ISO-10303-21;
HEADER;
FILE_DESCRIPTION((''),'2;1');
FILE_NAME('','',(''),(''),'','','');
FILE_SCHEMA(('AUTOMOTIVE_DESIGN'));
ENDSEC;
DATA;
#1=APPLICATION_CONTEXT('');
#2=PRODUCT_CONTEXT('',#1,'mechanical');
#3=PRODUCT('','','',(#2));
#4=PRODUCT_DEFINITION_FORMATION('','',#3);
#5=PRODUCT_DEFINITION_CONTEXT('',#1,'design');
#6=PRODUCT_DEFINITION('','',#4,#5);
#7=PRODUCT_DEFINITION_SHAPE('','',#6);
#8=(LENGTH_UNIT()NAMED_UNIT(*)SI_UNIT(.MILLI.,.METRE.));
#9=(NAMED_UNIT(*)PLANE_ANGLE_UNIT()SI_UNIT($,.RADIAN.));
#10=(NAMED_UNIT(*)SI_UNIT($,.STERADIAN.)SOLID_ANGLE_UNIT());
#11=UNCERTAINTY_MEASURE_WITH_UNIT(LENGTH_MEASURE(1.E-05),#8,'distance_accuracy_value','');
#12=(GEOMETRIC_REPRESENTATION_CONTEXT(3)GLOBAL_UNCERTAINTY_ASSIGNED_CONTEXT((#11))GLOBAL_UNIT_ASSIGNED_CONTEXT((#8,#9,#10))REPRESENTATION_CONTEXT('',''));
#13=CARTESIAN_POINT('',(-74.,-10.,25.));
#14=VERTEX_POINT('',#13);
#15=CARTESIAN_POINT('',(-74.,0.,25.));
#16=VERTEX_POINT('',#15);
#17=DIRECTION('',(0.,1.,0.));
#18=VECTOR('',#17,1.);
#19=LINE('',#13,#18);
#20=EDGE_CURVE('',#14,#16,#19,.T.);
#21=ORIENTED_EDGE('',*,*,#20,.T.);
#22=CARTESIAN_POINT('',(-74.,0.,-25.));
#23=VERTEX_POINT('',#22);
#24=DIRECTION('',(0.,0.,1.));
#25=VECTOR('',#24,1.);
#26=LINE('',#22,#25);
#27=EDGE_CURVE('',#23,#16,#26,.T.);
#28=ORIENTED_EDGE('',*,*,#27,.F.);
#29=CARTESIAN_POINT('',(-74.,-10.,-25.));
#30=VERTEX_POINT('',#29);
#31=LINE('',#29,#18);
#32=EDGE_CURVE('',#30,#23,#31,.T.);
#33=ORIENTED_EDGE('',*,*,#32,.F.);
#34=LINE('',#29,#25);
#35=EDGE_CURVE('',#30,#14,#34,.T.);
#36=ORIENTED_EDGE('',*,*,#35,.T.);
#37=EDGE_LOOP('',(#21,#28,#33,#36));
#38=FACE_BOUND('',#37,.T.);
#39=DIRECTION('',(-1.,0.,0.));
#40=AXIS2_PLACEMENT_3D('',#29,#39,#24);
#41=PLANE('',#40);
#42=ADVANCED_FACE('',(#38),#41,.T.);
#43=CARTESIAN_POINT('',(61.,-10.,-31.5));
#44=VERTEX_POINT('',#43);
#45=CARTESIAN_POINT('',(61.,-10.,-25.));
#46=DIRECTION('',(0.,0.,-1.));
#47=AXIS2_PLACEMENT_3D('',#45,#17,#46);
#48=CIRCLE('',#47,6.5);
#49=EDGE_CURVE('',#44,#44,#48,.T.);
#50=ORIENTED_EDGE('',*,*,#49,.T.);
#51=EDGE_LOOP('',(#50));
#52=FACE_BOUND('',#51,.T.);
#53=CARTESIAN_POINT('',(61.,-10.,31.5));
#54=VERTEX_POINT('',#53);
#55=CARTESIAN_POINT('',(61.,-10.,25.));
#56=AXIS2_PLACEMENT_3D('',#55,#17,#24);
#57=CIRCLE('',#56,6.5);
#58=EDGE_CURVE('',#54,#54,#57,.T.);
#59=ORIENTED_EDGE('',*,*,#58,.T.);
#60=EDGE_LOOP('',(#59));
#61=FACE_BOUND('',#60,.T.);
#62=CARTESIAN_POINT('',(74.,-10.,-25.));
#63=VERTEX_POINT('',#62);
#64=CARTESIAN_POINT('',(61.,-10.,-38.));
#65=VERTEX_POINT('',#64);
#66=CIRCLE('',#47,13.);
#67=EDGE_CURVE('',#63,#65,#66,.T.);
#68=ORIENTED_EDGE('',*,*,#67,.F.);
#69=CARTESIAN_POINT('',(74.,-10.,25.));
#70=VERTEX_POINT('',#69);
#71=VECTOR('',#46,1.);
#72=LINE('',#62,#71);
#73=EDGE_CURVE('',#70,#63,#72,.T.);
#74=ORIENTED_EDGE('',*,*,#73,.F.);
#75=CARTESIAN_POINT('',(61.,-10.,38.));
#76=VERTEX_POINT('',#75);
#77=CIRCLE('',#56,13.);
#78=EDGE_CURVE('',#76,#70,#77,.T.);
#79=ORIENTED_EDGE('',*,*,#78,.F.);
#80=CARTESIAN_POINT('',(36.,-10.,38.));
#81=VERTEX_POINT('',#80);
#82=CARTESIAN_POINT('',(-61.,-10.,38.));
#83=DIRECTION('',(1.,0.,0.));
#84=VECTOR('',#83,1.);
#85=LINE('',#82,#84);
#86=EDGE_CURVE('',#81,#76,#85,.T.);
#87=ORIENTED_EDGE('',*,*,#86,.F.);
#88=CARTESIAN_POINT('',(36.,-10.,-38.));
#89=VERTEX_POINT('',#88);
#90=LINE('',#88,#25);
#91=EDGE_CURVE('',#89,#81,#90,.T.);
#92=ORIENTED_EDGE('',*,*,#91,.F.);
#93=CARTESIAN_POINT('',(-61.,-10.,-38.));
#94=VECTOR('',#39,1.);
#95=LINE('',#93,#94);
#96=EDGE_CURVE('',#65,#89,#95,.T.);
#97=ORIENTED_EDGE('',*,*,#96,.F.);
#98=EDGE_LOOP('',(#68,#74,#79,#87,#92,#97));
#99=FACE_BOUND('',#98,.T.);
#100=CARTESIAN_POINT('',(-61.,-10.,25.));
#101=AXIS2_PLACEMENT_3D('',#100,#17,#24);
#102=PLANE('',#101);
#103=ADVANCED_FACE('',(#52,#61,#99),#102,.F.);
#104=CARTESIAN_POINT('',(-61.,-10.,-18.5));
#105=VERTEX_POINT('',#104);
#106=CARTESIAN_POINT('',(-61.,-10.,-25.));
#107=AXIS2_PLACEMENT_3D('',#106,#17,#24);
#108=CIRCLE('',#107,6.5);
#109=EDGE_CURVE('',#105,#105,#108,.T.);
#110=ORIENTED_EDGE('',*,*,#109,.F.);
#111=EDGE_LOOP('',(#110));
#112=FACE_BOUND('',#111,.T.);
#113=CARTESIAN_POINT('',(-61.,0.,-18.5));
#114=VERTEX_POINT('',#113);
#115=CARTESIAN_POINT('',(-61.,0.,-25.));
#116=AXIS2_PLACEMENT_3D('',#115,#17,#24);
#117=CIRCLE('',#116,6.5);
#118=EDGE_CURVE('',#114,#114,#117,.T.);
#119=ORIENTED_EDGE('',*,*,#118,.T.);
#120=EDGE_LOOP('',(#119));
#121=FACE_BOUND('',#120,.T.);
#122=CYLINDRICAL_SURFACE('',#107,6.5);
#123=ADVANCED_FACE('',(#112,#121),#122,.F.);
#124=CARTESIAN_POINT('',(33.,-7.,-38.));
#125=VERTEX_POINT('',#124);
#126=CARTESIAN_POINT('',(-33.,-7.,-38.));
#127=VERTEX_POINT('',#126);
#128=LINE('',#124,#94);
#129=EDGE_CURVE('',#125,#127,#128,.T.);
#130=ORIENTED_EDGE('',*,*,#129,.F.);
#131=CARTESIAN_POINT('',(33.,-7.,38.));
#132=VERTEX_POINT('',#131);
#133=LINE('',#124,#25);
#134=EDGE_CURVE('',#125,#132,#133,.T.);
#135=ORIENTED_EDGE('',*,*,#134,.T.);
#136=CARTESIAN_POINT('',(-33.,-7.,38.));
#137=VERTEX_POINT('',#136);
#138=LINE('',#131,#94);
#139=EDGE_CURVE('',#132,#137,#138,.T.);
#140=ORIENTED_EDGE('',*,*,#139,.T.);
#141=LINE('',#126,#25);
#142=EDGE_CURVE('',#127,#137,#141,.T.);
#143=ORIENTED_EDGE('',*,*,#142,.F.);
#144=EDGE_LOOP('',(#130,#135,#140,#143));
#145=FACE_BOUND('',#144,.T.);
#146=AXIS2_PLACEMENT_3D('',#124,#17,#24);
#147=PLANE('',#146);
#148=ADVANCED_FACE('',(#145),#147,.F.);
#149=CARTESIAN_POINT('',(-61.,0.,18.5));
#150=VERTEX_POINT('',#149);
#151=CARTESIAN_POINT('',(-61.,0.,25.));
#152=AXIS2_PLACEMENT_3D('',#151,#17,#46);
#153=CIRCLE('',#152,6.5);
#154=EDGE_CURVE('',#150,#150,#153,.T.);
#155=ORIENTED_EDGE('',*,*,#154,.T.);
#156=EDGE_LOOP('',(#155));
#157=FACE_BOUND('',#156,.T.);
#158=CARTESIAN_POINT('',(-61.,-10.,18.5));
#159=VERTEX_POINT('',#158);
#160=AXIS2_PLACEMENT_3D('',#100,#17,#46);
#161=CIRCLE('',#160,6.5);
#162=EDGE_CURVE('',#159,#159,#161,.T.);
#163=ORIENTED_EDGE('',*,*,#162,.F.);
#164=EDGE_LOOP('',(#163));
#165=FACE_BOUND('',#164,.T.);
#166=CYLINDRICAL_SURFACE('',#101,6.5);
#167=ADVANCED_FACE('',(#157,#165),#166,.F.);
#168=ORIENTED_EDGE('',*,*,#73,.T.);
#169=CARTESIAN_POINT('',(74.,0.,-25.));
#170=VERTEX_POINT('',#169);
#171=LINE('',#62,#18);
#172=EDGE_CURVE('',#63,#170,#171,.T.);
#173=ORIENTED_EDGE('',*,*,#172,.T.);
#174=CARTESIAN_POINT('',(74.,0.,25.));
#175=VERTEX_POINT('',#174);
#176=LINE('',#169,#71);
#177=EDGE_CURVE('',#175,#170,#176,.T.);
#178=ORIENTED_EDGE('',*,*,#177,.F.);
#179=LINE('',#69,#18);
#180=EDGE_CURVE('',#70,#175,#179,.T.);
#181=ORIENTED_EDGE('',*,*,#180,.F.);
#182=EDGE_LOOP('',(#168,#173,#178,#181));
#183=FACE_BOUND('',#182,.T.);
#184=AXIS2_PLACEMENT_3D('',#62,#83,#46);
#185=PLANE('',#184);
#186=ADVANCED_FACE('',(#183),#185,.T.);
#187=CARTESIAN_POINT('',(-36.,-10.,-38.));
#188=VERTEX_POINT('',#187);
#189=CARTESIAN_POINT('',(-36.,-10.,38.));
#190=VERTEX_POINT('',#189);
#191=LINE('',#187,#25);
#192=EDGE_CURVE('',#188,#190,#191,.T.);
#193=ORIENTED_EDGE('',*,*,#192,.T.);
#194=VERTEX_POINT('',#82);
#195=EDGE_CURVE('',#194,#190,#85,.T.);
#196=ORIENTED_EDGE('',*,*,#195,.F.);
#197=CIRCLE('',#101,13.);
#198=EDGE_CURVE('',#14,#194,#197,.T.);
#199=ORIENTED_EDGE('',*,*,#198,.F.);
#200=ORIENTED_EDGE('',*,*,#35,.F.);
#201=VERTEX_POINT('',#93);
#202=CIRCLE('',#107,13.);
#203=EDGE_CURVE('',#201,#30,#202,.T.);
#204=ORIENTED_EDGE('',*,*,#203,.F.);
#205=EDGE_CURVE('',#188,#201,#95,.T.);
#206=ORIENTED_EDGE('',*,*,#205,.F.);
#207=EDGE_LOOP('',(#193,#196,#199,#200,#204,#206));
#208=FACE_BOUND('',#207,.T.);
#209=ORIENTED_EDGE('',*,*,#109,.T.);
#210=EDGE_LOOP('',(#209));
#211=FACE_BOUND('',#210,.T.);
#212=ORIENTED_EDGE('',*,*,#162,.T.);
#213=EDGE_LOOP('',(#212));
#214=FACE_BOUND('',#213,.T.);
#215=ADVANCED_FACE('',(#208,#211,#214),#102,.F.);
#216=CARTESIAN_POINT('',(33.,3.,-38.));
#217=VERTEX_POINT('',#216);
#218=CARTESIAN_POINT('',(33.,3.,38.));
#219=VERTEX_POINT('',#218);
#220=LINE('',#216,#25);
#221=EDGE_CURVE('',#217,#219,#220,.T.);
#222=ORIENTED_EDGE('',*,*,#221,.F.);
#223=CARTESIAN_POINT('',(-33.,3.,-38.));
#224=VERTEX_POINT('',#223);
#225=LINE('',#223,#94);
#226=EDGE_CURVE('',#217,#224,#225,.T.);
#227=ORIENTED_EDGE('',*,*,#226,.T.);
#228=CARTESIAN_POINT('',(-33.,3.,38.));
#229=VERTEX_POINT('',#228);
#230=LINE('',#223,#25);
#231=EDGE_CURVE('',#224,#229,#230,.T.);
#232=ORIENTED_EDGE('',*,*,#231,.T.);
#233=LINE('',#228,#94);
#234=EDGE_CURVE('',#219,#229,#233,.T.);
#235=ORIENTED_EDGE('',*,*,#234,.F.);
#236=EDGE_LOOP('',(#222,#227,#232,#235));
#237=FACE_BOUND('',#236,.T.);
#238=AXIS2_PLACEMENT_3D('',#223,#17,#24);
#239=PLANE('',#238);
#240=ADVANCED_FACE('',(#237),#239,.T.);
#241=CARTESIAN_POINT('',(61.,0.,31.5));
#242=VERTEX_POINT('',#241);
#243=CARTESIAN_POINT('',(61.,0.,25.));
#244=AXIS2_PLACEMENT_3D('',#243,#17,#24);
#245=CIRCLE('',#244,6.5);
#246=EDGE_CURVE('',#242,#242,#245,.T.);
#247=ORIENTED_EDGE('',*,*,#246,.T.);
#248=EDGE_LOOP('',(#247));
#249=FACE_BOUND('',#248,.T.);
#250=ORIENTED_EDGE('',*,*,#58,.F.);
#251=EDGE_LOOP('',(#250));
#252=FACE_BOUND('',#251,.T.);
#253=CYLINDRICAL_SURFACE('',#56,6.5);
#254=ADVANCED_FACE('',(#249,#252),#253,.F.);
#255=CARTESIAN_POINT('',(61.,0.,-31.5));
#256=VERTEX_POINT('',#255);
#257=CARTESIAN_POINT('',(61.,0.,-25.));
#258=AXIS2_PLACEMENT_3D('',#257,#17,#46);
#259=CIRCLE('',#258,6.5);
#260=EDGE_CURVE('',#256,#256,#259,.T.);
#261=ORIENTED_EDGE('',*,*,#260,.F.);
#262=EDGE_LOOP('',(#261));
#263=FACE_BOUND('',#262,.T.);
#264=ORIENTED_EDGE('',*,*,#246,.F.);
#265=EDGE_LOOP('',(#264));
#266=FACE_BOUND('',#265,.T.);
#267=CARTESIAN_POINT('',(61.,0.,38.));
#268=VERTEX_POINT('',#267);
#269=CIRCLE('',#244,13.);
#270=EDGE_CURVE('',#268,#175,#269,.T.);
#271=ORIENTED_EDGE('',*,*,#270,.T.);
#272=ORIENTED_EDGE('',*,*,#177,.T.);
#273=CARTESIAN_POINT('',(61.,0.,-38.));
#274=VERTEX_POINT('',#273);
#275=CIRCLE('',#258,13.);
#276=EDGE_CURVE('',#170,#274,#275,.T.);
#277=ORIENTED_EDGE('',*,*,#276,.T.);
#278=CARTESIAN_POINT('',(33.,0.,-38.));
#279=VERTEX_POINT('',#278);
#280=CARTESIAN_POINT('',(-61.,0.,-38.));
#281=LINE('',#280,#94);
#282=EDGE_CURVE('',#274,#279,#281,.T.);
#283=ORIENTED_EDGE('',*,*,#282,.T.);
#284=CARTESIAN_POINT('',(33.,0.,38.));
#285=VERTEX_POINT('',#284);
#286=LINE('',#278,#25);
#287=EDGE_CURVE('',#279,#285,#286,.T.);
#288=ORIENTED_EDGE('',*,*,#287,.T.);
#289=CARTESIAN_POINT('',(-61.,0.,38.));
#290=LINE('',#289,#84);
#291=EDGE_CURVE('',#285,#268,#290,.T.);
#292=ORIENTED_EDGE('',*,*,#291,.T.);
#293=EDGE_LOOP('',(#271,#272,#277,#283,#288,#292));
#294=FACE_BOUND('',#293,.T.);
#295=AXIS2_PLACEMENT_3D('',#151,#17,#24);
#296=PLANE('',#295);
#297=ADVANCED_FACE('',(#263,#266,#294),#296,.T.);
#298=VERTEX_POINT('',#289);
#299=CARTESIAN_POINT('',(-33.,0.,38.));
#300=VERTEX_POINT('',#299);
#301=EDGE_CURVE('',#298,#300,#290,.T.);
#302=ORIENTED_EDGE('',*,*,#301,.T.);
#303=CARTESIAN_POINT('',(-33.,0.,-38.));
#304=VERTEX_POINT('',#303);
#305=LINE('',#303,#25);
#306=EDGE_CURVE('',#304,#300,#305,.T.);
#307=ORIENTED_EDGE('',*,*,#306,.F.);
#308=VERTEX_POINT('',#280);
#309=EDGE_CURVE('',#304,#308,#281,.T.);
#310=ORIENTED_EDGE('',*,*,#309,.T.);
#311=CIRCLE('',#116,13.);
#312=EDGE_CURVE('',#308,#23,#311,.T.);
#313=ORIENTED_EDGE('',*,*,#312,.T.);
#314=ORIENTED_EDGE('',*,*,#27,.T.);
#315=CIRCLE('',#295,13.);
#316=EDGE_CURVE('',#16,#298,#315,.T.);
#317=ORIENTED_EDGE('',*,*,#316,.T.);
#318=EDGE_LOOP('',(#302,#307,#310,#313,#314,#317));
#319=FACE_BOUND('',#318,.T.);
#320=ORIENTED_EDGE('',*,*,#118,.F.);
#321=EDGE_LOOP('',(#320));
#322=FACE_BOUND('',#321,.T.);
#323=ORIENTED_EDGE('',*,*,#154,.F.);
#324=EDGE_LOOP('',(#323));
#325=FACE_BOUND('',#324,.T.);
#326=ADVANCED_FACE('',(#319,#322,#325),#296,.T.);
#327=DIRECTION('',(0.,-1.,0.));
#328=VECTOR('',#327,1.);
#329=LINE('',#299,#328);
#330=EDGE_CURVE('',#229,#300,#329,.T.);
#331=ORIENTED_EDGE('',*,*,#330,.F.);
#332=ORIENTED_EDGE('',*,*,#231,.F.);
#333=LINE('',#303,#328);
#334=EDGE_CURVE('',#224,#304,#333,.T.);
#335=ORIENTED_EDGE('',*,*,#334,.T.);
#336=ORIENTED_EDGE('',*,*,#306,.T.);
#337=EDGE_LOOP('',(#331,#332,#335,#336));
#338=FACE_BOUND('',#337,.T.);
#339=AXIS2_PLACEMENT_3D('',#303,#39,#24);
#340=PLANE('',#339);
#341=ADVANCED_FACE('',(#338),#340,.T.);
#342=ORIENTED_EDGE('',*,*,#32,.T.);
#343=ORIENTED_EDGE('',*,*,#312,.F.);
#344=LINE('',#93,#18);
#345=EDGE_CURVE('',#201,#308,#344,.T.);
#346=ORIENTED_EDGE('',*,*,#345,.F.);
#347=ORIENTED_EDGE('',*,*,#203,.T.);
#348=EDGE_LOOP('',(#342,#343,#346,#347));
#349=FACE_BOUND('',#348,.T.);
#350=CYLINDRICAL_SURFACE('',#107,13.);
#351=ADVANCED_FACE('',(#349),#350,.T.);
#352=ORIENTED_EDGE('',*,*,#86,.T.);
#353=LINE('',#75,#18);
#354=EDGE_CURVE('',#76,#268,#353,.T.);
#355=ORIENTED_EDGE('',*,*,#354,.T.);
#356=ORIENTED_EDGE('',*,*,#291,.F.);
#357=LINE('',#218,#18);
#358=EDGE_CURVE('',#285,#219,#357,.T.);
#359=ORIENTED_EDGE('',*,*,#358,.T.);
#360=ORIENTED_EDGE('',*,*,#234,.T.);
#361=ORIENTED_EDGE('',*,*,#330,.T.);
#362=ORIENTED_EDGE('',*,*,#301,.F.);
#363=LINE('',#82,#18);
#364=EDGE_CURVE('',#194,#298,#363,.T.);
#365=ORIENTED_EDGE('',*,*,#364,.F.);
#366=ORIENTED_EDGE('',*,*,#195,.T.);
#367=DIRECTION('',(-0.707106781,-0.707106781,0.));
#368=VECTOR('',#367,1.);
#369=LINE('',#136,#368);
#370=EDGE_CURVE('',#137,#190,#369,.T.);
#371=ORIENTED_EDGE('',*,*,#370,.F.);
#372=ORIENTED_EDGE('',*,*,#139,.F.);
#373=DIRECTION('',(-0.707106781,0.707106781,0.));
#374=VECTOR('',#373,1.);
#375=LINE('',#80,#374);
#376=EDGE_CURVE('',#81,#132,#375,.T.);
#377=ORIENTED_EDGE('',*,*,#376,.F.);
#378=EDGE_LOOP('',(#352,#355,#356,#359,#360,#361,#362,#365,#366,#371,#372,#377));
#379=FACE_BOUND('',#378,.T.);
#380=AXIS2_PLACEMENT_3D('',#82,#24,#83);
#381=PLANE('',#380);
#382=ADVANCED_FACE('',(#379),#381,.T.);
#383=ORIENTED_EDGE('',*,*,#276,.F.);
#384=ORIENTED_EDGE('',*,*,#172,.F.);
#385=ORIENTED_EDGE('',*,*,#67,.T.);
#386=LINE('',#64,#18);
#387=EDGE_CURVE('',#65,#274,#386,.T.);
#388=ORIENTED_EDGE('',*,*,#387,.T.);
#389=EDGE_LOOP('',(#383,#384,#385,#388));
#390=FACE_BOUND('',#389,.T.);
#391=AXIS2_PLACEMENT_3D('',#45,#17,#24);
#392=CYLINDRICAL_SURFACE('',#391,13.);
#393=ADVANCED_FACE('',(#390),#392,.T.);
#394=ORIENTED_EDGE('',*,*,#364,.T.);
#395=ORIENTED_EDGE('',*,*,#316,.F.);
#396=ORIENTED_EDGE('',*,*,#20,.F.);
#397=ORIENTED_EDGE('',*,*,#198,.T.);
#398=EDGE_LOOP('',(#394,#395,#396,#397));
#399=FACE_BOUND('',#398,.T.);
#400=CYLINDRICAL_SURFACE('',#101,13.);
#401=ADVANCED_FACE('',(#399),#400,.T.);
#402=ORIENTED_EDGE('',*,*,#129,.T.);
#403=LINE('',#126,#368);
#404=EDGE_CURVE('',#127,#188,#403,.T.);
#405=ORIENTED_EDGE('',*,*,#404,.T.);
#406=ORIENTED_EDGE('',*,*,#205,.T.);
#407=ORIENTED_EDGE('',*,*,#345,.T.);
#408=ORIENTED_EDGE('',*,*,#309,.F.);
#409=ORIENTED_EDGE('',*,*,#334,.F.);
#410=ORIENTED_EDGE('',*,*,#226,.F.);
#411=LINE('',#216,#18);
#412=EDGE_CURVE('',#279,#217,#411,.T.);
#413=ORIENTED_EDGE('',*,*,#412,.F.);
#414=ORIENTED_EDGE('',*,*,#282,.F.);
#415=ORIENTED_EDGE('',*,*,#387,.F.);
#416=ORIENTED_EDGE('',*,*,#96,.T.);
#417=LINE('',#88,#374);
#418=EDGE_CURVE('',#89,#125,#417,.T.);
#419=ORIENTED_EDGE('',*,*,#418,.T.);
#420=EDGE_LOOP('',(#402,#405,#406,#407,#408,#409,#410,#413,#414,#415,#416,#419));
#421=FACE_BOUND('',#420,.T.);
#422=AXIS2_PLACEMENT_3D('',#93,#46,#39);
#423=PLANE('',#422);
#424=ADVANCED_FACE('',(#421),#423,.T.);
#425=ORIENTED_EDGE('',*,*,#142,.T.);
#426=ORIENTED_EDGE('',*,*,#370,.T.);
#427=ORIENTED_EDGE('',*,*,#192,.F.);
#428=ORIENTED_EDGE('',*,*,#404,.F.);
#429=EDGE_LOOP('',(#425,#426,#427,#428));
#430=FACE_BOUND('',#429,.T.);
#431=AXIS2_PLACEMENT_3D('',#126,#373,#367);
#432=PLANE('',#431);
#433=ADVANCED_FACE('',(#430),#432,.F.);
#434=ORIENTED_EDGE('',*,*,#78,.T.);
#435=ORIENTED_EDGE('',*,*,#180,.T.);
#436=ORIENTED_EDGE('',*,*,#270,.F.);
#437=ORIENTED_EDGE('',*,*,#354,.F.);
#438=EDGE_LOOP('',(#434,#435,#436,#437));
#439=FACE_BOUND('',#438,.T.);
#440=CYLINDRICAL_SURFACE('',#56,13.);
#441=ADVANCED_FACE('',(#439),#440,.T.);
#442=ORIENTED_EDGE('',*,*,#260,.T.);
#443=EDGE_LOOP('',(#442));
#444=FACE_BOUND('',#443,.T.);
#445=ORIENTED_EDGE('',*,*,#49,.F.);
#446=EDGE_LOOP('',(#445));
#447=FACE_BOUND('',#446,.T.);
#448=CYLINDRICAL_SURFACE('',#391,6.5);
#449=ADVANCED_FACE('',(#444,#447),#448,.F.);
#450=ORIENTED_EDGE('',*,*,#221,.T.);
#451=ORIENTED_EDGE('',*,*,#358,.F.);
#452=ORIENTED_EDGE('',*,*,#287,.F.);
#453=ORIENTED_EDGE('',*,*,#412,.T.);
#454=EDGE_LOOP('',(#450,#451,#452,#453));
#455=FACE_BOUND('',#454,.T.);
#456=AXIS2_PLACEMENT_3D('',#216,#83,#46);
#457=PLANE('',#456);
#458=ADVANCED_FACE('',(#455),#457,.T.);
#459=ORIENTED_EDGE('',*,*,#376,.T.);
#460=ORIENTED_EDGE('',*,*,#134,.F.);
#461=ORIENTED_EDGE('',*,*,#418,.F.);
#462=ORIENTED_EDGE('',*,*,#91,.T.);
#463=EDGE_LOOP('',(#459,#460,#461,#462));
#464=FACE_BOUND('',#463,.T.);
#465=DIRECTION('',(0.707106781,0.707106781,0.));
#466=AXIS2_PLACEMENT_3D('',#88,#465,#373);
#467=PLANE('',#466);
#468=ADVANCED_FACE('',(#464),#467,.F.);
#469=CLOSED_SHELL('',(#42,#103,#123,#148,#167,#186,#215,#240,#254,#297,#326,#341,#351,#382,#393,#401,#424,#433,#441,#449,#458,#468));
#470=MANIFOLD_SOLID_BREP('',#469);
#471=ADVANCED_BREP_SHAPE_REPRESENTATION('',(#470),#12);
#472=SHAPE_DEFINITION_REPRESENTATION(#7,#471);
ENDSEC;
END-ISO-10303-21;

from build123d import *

# Parameters (mm, degrees)
SKETCH1_R           = 6.5
BOSS_EXTRUDE1_DEPTH = 10
CUT_EXTRUDE1_DEPTH  = 107.545764815
SKETCH3_W           = 66
SKETCH3_H           = 3
BOSS_EXTRUDE2_DEPTH = 76


with BuildPart() as part:
    # Sketch1 → Boss-Extrude1 (new body)
    with BuildSketch(Plane(origin=(0, 0, 0), x_dir=(1, 0, 0), z_dir=(0, 1, 0))):
        with BuildLine():
            Line((-61, 38), (61, 38))
            ThreePointArc((61, 38), (70.192388155, 34.192388155), (74, 25))
            Line((74, 25), (74, -25))
            ThreePointArc((74, -25), (70.192388155, -34.192388155), (61, -38))
            Line((61, -38), (-61, -38))
            ThreePointArc((-61, -38), (-70.192388155, -34.192388155), (-74, -25))
            Line((-74, -25), (-74, 25))
            ThreePointArc((-74, 25), (-70.192388155, 34.192388155), (-61, 38))
        make_face()
        with Locations(Location((-61, 25, 0), (0, 0, 270))):
            Circle(SKETCH1_R, mode=Mode.SUBTRACT)
        with Locations(Location((61, 25, 0), (0, 0, 90))):
            Circle(SKETCH1_R, mode=Mode.SUBTRACT)
        with Locations(Location((61, -25, 0), (0, 0, 270))):
            Circle(SKETCH1_R, mode=Mode.SUBTRACT)
        with Locations(Location((-61, -25, 0), (0, 0, 90))):
            Circle(SKETCH1_R, mode=Mode.SUBTRACT)
    extrude(amount=-BOSS_EXTRUDE1_DEPTH)

    # Sketch2 → Cut-Extrude1 (cut, through all)
    with BuildSketch(Plane.XY.offset(38)):
        Polygon((-36, -10), (36, -10), (33, -7), (-33, -7), align=None)
    extrude(amount=-CUT_EXTRUDE1_DEPTH, mode=Mode.SUBTRACT)

    # Sketch3 → Boss-Extrude2 (add, through all)
    with BuildSketch(Plane.XY.offset(38)):
        with Locations((0, 1.5)):
            Rectangle(SKETCH3_W, SKETCH3_H)
    extrude(amount=-BOSS_EXTRUDE2_DEPTH)


solid = part.part
